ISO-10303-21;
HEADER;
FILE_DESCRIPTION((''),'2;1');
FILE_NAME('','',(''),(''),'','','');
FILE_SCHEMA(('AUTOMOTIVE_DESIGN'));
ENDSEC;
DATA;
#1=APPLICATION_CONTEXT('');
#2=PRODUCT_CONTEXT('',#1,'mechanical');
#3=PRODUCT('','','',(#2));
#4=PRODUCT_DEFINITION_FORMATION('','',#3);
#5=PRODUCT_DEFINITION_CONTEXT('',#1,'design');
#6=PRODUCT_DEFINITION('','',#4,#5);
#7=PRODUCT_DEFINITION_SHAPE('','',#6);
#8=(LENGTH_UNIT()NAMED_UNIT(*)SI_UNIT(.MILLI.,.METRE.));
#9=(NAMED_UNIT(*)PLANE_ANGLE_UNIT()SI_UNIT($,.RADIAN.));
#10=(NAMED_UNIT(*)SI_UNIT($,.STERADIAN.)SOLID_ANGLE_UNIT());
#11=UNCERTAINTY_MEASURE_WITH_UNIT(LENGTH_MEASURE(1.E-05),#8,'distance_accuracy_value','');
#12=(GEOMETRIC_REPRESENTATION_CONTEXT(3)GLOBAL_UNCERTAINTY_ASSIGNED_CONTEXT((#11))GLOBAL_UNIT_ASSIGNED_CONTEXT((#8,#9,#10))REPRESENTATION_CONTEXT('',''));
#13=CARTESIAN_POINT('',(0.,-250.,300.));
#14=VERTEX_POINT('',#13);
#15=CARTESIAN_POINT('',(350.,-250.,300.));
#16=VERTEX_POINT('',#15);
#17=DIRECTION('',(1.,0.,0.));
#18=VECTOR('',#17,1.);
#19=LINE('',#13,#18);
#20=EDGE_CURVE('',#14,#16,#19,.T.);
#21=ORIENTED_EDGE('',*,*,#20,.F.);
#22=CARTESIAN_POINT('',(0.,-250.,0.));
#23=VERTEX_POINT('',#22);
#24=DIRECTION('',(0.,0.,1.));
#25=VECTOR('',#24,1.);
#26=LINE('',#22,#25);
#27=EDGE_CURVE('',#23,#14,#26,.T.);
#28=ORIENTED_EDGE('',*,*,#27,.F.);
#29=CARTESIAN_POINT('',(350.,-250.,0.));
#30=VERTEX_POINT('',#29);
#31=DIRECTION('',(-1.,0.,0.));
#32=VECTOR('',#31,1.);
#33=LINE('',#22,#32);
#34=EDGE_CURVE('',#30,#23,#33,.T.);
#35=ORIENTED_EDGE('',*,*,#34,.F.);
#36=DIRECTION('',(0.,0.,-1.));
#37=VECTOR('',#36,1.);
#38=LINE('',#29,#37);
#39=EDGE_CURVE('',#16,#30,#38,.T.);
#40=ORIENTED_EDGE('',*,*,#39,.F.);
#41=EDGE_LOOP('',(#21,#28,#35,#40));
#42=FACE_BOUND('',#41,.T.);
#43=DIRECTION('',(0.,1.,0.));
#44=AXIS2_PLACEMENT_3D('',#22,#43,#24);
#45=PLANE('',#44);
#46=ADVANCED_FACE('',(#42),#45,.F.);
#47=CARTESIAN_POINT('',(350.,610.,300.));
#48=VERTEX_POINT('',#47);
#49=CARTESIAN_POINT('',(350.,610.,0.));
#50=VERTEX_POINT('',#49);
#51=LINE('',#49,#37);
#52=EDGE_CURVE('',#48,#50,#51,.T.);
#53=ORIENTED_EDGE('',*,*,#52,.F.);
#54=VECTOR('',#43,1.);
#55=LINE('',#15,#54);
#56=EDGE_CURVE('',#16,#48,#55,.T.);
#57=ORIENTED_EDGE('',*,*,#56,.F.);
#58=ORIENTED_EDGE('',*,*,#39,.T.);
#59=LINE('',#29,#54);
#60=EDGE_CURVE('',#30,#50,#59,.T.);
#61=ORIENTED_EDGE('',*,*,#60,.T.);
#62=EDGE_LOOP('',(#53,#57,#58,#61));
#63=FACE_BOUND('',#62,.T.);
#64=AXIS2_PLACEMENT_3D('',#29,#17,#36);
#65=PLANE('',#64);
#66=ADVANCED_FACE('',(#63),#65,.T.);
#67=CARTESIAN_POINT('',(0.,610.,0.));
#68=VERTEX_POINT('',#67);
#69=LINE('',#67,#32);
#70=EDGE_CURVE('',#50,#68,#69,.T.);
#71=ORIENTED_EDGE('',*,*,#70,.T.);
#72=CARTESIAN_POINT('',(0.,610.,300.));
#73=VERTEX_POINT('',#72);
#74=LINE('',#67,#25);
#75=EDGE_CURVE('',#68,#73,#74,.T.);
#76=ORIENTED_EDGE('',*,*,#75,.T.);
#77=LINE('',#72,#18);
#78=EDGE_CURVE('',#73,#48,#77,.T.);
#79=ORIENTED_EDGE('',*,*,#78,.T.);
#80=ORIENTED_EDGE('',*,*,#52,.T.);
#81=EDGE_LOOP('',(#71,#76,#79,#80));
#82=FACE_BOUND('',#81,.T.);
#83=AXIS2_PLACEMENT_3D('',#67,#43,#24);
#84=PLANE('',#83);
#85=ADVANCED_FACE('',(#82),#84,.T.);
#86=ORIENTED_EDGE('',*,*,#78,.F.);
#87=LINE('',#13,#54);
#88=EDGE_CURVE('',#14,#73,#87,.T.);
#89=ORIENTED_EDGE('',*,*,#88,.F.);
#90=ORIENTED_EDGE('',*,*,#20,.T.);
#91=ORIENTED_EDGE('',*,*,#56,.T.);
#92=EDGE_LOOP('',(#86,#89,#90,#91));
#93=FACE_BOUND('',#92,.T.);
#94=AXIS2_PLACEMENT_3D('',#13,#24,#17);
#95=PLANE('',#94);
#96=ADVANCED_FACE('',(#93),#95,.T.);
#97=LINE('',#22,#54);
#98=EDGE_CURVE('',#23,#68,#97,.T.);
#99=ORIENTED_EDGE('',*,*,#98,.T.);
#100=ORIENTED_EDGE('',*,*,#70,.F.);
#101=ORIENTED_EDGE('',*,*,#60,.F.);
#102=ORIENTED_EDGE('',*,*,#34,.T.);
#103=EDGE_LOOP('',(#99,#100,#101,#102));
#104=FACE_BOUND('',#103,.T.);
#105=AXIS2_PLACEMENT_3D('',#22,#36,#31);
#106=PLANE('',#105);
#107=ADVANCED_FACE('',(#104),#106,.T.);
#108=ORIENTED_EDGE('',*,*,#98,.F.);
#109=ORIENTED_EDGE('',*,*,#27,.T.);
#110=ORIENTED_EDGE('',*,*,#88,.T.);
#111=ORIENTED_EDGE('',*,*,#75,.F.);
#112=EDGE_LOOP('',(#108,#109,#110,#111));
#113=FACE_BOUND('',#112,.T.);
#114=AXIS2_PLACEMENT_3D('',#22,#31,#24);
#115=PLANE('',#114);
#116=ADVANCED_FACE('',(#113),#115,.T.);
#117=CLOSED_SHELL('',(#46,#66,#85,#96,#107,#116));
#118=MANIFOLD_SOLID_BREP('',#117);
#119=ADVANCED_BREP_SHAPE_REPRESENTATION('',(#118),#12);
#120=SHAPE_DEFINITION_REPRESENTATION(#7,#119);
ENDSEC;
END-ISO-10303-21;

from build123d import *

# Parameters (mm, degrees)
BOSS_EXTRUDE1_DEPTH      = 610
BOSS_EXTRUDE1_DEPTH_BACK = 250
SKETCH1_W                = 350
SKETCH1_H                = 300


with BuildPart() as part:
    # Sketch1 → Boss-Extrude1 (new, two sides: drawn at the far end of the back side and taken through both)
    with BuildSketch(Plane(origin=(0, 0, 0), x_dir=(1, 0, 0), z_dir=(0, 1, 0)).offset(-BOSS_EXTRUDE1_DEPTH_BACK)):
        with Locations((175, -150)):
            Rectangle(SKETCH1_W, SKETCH1_H)
    extrude(amount=BOSS_EXTRUDE1_DEPTH + BOSS_EXTRUDE1_DEPTH_BACK)


solid = part.part
